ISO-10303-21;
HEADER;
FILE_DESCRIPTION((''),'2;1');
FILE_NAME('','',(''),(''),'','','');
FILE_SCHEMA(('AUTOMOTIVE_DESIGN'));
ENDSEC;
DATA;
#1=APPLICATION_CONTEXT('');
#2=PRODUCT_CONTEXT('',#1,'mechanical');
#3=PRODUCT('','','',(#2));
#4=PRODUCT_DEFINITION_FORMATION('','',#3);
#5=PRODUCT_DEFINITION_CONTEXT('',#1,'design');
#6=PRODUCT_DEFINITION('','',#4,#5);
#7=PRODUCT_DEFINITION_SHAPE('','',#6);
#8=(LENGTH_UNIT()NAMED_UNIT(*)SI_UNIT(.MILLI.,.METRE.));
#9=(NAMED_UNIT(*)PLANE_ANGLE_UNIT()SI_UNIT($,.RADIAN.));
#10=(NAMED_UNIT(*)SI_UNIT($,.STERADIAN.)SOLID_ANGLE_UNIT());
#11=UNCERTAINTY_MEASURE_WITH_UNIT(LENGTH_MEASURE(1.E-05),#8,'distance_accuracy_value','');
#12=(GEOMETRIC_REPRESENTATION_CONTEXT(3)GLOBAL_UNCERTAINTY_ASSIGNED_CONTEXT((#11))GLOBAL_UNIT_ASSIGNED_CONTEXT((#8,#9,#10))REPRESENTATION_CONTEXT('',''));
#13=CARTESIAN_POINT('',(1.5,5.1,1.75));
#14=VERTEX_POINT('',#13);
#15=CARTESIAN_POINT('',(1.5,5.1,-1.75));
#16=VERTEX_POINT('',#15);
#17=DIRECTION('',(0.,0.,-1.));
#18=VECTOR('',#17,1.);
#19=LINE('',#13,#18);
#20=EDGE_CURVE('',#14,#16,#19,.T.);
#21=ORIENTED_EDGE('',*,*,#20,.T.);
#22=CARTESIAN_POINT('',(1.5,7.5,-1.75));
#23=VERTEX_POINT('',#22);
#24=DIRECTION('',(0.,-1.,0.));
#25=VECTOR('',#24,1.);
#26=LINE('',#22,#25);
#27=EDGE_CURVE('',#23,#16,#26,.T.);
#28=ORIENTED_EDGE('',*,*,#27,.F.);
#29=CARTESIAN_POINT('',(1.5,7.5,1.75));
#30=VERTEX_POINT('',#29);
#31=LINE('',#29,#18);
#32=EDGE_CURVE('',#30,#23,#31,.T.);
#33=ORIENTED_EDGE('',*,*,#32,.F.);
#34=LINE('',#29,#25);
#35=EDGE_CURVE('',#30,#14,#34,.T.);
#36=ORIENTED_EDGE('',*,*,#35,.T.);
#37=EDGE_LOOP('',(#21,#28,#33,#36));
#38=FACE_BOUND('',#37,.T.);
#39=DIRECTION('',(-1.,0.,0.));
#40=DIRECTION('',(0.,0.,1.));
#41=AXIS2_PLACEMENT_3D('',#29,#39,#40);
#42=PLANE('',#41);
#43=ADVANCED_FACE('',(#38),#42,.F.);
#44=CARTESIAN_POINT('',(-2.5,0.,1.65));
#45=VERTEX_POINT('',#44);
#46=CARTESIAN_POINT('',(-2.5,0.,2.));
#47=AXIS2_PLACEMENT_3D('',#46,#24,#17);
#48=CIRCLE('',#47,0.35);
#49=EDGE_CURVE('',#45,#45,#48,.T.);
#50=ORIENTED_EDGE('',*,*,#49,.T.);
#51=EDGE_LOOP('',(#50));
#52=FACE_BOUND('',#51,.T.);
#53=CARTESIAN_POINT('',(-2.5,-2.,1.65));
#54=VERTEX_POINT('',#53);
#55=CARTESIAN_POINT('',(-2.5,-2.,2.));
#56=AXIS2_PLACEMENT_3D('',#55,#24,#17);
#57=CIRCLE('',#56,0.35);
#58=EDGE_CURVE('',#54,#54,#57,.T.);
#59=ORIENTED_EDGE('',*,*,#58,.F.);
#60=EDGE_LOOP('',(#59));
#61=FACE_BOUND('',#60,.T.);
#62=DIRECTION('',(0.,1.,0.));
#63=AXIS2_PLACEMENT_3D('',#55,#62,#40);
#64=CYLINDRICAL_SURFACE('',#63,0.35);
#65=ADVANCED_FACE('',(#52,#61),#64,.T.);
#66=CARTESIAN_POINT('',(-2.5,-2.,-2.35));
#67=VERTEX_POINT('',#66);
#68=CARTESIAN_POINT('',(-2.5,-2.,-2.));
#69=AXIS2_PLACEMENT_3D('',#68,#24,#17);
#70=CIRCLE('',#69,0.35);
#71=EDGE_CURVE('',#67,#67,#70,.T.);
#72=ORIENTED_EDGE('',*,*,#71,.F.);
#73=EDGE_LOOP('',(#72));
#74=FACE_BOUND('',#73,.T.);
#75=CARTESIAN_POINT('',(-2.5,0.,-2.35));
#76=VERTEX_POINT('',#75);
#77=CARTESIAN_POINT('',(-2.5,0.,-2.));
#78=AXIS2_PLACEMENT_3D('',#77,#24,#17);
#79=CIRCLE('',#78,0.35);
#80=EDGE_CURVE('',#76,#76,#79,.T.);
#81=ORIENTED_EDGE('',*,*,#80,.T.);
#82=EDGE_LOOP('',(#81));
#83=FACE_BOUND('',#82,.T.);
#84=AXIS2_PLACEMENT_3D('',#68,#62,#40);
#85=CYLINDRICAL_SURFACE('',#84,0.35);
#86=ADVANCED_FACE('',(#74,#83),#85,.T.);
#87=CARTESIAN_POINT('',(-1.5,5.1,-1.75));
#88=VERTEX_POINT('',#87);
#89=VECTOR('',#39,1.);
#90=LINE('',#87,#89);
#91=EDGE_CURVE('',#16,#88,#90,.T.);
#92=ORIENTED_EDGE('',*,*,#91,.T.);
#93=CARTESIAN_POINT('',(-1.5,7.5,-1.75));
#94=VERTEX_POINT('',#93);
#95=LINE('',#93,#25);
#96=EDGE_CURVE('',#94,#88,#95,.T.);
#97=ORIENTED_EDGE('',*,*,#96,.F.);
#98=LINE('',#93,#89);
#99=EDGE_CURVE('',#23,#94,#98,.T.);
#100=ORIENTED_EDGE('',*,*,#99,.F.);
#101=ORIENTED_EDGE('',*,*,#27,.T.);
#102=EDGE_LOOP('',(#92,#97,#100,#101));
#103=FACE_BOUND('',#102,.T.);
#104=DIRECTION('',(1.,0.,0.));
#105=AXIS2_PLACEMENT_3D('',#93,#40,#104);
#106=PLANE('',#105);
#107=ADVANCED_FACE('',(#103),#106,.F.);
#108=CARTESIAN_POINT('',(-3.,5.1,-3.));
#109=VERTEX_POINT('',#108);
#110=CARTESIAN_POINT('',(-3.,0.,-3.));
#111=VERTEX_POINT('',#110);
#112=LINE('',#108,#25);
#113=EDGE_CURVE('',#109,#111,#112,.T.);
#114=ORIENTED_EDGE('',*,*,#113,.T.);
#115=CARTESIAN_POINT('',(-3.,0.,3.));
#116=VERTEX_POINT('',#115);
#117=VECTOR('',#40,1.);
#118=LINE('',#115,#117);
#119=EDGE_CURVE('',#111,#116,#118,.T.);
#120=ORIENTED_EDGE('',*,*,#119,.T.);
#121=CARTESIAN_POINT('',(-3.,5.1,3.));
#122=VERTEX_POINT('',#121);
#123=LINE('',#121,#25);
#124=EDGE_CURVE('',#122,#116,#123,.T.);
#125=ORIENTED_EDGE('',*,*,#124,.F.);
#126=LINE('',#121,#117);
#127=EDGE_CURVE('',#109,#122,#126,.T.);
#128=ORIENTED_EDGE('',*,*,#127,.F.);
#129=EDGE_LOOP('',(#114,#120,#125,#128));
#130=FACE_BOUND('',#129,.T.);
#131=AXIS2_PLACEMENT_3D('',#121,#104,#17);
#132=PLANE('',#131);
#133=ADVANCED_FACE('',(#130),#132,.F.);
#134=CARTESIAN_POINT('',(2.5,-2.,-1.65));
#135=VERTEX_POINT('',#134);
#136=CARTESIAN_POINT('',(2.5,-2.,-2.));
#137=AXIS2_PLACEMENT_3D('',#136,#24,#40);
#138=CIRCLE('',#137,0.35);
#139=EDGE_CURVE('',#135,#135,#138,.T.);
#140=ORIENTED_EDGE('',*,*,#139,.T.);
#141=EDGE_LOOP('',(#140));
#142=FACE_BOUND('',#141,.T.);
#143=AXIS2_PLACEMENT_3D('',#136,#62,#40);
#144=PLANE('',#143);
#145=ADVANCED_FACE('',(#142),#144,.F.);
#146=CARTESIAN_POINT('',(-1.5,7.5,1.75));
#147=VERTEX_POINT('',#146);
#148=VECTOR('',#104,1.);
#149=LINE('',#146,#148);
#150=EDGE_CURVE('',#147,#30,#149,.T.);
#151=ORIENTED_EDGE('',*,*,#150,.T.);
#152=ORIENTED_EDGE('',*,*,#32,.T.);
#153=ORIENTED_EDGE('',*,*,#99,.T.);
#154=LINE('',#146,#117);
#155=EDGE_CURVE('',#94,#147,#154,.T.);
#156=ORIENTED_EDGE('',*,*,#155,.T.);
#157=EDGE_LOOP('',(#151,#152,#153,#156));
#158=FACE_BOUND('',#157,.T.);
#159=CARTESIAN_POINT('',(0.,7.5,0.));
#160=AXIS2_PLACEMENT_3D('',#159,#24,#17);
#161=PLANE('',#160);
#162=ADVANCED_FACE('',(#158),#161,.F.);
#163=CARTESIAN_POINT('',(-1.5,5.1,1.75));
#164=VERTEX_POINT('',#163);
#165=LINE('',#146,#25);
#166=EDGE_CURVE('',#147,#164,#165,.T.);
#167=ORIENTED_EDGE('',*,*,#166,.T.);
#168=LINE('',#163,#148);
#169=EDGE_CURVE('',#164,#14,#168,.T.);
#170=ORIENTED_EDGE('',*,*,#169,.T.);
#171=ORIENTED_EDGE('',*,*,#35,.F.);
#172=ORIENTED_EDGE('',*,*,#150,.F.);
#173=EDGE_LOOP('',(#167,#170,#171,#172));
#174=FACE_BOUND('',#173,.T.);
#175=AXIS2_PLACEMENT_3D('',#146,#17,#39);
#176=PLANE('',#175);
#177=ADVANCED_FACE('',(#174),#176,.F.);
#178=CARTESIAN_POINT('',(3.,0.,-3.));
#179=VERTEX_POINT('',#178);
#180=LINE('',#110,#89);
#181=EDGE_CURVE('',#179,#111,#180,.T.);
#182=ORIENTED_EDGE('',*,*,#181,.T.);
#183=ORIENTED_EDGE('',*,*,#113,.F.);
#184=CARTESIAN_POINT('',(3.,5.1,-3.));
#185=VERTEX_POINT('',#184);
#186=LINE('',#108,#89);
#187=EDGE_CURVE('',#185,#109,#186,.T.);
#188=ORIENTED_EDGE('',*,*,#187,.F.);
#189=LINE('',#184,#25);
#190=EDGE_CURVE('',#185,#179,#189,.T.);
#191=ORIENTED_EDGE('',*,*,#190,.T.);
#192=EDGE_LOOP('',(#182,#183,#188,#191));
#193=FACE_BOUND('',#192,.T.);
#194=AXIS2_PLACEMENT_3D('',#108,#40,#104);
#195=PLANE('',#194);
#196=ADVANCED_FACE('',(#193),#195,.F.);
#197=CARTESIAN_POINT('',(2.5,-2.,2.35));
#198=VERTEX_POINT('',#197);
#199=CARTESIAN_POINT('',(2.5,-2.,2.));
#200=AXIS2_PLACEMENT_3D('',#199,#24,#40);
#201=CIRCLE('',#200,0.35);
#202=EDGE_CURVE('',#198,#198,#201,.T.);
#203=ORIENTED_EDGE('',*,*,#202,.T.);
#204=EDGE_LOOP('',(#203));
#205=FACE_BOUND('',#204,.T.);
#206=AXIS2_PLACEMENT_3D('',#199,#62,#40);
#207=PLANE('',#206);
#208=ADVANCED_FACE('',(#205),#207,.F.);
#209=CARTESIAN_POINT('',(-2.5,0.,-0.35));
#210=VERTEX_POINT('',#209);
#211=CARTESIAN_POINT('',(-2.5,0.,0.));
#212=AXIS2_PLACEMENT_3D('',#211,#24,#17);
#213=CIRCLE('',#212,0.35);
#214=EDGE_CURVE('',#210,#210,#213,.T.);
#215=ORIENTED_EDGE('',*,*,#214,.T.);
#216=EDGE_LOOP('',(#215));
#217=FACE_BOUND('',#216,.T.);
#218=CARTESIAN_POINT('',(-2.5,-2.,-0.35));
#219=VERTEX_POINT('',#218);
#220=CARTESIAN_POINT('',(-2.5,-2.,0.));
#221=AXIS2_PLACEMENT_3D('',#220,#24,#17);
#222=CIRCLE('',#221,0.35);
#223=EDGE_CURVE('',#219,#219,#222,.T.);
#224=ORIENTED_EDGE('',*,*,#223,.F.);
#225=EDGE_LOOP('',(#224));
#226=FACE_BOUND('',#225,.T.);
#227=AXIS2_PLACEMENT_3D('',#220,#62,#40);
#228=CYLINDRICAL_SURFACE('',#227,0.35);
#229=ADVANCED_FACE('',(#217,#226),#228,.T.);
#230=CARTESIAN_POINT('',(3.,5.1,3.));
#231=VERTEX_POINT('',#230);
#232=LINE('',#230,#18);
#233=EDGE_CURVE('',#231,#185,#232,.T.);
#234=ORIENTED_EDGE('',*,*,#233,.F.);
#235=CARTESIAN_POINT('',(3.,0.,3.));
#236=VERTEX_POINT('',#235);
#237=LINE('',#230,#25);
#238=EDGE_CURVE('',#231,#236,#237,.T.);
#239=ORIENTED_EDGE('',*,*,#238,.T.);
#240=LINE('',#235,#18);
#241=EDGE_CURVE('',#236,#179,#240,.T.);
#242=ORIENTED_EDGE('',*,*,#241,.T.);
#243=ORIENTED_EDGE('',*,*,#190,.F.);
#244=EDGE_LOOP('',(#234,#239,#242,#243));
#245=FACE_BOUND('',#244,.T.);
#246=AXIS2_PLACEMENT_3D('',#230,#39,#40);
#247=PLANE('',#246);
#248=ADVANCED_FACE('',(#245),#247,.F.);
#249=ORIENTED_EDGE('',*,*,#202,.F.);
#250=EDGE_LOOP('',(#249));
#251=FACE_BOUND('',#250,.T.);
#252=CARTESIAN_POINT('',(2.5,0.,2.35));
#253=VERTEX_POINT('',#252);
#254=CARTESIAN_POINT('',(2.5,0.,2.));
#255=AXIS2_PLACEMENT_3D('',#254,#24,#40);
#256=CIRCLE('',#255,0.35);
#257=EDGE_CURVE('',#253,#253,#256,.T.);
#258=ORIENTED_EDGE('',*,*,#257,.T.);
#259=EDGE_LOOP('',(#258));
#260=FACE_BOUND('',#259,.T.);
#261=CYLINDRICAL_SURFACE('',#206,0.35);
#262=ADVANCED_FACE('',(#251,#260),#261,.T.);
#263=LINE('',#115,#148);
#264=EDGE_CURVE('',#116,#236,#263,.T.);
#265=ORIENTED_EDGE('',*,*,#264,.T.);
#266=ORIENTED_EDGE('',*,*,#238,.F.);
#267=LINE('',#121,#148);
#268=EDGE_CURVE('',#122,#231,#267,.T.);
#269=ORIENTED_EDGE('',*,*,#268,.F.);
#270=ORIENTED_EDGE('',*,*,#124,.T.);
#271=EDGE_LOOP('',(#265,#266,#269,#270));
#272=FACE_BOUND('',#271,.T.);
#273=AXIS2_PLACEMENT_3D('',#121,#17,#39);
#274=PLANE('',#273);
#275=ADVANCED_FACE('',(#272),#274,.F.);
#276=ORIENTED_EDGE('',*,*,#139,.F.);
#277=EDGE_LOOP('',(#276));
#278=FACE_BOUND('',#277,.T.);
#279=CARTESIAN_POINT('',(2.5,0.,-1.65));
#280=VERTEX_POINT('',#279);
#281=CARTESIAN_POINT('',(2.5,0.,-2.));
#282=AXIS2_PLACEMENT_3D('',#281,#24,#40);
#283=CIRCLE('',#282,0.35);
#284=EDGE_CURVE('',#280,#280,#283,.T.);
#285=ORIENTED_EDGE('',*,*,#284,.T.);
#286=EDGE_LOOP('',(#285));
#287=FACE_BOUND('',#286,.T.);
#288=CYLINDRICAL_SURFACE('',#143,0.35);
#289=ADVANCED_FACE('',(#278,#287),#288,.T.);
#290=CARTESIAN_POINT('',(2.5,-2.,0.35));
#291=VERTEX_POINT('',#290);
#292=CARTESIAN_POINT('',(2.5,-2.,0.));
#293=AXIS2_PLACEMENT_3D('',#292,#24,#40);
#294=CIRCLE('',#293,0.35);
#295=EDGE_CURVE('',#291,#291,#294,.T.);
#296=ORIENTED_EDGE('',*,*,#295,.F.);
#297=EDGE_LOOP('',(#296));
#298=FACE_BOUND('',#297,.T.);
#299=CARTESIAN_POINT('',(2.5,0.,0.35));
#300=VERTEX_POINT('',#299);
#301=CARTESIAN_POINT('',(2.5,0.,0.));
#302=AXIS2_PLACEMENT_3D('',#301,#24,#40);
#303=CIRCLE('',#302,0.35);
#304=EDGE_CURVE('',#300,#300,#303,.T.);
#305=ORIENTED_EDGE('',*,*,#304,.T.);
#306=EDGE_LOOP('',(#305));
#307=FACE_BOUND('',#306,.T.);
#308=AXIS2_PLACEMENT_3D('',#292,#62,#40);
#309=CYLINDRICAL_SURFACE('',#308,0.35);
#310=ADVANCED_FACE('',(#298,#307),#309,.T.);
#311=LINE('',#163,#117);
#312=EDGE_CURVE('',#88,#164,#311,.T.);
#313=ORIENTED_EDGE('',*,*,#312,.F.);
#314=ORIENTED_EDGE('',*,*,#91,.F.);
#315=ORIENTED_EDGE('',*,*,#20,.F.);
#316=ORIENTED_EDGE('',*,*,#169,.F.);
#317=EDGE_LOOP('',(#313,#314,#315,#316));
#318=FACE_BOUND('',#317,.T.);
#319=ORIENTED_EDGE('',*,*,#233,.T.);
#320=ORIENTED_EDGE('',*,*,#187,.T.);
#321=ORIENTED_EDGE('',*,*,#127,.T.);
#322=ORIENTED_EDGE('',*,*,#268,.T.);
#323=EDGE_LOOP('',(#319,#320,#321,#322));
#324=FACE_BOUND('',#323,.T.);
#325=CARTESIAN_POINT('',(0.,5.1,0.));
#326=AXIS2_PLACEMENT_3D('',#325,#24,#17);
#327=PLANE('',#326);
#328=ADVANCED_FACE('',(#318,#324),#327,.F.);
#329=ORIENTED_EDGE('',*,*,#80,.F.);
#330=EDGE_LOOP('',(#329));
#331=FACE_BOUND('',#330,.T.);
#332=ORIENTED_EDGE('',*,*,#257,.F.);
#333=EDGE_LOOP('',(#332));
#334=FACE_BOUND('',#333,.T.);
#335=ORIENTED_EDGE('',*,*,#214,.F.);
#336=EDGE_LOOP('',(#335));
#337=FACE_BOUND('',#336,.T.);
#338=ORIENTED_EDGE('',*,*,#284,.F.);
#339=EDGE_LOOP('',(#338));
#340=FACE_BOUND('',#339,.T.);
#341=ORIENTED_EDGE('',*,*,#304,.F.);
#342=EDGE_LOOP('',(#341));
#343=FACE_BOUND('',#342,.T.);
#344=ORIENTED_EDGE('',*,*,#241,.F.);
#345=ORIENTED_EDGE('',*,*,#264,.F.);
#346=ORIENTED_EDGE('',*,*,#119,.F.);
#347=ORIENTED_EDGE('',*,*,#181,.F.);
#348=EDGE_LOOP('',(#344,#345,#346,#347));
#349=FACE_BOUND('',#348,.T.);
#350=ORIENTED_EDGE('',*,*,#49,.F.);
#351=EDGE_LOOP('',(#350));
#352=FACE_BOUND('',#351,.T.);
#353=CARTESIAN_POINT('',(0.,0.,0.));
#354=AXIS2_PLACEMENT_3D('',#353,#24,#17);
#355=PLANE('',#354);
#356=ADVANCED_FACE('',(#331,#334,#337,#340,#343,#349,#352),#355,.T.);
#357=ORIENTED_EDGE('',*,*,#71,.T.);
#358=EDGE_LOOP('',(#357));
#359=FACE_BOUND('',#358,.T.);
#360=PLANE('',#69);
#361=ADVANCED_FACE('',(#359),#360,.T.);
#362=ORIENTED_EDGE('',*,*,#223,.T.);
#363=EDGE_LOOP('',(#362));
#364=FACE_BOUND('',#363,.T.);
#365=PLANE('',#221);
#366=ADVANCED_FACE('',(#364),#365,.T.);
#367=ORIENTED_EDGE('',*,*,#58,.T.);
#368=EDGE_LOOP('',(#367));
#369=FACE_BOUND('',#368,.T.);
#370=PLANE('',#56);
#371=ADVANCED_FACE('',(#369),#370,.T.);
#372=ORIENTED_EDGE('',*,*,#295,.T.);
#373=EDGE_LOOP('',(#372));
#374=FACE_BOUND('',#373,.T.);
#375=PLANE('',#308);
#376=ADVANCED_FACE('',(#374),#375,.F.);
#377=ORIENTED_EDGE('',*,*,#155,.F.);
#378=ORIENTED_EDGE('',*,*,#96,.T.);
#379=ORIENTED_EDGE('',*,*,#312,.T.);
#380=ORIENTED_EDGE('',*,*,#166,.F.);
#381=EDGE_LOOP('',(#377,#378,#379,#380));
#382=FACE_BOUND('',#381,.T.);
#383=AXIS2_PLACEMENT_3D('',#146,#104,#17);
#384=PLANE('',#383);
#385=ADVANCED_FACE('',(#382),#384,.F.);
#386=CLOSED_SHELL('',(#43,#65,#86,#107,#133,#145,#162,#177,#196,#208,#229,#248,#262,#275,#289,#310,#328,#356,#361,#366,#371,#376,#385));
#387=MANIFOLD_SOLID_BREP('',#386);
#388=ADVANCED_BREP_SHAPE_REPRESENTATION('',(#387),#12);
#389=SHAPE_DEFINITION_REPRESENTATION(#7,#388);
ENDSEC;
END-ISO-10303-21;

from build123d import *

# Parameters (mm, degrees)
SKETCH1_W           = 6
SKETCH1_H           = 6
BOSS_EXTRUDE1_DEPTH = 5.1
SKETCH2_W           = 3
SKETCH2_H           = 3.5
BOSS_EXTRUDE2_DEPTH = 2.4
SKETCH3_R           = 0.35
BOSS_EXTRUDE3_DEPTH = 2


with BuildPart() as part:
    # Sketch1 → Boss-Extrude1 (new body)
    with BuildSketch(Plane(origin=(0, 0, 0), x_dir=(1, 0, 0), z_dir=(0, 1, 0))):
        Rectangle(SKETCH1_W, SKETCH1_H)
    extrude(amount=BOSS_EXTRUDE1_DEPTH)

    # Sketch2 → Boss-Extrude2 (add)
    with BuildSketch(Plane(origin=(0, 5.1, 0), x_dir=(1, 0, 0), z_dir=(0, 1, 0))):
        Rectangle(SKETCH2_W, SKETCH2_H)
    extrude(amount=BOSS_EXTRUDE2_DEPTH)

    # Sketch3 → Boss-Extrude3 (add)
    with BuildSketch(Plane.XZ):
        with Locations(Location((-2.5, 0, 0), (0, 0, 270))):
            Circle(SKETCH3_R)
        with Locations(Location((-2.5, -2, 0), (0, 0, 270))):
            Circle(SKETCH3_R)
        with Locations(Location((-2.5, 2, 0), (0, 0, 270))):
            Circle(SKETCH3_R)
        with Locations(Location((2.5, -2, 0), (0, 0, 90))):
            Circle(SKETCH3_R)
        with Locations(Location((2.5, 0, 0), (0, 0, 90))):
            Circle(SKETCH3_R)
        with Locations(Location((2.5, 2, 0), (0, 0, 90))):
            Circle(SKETCH3_R)
    extrude(amount=BOSS_EXTRUDE3_DEPTH)


solid = part.part
